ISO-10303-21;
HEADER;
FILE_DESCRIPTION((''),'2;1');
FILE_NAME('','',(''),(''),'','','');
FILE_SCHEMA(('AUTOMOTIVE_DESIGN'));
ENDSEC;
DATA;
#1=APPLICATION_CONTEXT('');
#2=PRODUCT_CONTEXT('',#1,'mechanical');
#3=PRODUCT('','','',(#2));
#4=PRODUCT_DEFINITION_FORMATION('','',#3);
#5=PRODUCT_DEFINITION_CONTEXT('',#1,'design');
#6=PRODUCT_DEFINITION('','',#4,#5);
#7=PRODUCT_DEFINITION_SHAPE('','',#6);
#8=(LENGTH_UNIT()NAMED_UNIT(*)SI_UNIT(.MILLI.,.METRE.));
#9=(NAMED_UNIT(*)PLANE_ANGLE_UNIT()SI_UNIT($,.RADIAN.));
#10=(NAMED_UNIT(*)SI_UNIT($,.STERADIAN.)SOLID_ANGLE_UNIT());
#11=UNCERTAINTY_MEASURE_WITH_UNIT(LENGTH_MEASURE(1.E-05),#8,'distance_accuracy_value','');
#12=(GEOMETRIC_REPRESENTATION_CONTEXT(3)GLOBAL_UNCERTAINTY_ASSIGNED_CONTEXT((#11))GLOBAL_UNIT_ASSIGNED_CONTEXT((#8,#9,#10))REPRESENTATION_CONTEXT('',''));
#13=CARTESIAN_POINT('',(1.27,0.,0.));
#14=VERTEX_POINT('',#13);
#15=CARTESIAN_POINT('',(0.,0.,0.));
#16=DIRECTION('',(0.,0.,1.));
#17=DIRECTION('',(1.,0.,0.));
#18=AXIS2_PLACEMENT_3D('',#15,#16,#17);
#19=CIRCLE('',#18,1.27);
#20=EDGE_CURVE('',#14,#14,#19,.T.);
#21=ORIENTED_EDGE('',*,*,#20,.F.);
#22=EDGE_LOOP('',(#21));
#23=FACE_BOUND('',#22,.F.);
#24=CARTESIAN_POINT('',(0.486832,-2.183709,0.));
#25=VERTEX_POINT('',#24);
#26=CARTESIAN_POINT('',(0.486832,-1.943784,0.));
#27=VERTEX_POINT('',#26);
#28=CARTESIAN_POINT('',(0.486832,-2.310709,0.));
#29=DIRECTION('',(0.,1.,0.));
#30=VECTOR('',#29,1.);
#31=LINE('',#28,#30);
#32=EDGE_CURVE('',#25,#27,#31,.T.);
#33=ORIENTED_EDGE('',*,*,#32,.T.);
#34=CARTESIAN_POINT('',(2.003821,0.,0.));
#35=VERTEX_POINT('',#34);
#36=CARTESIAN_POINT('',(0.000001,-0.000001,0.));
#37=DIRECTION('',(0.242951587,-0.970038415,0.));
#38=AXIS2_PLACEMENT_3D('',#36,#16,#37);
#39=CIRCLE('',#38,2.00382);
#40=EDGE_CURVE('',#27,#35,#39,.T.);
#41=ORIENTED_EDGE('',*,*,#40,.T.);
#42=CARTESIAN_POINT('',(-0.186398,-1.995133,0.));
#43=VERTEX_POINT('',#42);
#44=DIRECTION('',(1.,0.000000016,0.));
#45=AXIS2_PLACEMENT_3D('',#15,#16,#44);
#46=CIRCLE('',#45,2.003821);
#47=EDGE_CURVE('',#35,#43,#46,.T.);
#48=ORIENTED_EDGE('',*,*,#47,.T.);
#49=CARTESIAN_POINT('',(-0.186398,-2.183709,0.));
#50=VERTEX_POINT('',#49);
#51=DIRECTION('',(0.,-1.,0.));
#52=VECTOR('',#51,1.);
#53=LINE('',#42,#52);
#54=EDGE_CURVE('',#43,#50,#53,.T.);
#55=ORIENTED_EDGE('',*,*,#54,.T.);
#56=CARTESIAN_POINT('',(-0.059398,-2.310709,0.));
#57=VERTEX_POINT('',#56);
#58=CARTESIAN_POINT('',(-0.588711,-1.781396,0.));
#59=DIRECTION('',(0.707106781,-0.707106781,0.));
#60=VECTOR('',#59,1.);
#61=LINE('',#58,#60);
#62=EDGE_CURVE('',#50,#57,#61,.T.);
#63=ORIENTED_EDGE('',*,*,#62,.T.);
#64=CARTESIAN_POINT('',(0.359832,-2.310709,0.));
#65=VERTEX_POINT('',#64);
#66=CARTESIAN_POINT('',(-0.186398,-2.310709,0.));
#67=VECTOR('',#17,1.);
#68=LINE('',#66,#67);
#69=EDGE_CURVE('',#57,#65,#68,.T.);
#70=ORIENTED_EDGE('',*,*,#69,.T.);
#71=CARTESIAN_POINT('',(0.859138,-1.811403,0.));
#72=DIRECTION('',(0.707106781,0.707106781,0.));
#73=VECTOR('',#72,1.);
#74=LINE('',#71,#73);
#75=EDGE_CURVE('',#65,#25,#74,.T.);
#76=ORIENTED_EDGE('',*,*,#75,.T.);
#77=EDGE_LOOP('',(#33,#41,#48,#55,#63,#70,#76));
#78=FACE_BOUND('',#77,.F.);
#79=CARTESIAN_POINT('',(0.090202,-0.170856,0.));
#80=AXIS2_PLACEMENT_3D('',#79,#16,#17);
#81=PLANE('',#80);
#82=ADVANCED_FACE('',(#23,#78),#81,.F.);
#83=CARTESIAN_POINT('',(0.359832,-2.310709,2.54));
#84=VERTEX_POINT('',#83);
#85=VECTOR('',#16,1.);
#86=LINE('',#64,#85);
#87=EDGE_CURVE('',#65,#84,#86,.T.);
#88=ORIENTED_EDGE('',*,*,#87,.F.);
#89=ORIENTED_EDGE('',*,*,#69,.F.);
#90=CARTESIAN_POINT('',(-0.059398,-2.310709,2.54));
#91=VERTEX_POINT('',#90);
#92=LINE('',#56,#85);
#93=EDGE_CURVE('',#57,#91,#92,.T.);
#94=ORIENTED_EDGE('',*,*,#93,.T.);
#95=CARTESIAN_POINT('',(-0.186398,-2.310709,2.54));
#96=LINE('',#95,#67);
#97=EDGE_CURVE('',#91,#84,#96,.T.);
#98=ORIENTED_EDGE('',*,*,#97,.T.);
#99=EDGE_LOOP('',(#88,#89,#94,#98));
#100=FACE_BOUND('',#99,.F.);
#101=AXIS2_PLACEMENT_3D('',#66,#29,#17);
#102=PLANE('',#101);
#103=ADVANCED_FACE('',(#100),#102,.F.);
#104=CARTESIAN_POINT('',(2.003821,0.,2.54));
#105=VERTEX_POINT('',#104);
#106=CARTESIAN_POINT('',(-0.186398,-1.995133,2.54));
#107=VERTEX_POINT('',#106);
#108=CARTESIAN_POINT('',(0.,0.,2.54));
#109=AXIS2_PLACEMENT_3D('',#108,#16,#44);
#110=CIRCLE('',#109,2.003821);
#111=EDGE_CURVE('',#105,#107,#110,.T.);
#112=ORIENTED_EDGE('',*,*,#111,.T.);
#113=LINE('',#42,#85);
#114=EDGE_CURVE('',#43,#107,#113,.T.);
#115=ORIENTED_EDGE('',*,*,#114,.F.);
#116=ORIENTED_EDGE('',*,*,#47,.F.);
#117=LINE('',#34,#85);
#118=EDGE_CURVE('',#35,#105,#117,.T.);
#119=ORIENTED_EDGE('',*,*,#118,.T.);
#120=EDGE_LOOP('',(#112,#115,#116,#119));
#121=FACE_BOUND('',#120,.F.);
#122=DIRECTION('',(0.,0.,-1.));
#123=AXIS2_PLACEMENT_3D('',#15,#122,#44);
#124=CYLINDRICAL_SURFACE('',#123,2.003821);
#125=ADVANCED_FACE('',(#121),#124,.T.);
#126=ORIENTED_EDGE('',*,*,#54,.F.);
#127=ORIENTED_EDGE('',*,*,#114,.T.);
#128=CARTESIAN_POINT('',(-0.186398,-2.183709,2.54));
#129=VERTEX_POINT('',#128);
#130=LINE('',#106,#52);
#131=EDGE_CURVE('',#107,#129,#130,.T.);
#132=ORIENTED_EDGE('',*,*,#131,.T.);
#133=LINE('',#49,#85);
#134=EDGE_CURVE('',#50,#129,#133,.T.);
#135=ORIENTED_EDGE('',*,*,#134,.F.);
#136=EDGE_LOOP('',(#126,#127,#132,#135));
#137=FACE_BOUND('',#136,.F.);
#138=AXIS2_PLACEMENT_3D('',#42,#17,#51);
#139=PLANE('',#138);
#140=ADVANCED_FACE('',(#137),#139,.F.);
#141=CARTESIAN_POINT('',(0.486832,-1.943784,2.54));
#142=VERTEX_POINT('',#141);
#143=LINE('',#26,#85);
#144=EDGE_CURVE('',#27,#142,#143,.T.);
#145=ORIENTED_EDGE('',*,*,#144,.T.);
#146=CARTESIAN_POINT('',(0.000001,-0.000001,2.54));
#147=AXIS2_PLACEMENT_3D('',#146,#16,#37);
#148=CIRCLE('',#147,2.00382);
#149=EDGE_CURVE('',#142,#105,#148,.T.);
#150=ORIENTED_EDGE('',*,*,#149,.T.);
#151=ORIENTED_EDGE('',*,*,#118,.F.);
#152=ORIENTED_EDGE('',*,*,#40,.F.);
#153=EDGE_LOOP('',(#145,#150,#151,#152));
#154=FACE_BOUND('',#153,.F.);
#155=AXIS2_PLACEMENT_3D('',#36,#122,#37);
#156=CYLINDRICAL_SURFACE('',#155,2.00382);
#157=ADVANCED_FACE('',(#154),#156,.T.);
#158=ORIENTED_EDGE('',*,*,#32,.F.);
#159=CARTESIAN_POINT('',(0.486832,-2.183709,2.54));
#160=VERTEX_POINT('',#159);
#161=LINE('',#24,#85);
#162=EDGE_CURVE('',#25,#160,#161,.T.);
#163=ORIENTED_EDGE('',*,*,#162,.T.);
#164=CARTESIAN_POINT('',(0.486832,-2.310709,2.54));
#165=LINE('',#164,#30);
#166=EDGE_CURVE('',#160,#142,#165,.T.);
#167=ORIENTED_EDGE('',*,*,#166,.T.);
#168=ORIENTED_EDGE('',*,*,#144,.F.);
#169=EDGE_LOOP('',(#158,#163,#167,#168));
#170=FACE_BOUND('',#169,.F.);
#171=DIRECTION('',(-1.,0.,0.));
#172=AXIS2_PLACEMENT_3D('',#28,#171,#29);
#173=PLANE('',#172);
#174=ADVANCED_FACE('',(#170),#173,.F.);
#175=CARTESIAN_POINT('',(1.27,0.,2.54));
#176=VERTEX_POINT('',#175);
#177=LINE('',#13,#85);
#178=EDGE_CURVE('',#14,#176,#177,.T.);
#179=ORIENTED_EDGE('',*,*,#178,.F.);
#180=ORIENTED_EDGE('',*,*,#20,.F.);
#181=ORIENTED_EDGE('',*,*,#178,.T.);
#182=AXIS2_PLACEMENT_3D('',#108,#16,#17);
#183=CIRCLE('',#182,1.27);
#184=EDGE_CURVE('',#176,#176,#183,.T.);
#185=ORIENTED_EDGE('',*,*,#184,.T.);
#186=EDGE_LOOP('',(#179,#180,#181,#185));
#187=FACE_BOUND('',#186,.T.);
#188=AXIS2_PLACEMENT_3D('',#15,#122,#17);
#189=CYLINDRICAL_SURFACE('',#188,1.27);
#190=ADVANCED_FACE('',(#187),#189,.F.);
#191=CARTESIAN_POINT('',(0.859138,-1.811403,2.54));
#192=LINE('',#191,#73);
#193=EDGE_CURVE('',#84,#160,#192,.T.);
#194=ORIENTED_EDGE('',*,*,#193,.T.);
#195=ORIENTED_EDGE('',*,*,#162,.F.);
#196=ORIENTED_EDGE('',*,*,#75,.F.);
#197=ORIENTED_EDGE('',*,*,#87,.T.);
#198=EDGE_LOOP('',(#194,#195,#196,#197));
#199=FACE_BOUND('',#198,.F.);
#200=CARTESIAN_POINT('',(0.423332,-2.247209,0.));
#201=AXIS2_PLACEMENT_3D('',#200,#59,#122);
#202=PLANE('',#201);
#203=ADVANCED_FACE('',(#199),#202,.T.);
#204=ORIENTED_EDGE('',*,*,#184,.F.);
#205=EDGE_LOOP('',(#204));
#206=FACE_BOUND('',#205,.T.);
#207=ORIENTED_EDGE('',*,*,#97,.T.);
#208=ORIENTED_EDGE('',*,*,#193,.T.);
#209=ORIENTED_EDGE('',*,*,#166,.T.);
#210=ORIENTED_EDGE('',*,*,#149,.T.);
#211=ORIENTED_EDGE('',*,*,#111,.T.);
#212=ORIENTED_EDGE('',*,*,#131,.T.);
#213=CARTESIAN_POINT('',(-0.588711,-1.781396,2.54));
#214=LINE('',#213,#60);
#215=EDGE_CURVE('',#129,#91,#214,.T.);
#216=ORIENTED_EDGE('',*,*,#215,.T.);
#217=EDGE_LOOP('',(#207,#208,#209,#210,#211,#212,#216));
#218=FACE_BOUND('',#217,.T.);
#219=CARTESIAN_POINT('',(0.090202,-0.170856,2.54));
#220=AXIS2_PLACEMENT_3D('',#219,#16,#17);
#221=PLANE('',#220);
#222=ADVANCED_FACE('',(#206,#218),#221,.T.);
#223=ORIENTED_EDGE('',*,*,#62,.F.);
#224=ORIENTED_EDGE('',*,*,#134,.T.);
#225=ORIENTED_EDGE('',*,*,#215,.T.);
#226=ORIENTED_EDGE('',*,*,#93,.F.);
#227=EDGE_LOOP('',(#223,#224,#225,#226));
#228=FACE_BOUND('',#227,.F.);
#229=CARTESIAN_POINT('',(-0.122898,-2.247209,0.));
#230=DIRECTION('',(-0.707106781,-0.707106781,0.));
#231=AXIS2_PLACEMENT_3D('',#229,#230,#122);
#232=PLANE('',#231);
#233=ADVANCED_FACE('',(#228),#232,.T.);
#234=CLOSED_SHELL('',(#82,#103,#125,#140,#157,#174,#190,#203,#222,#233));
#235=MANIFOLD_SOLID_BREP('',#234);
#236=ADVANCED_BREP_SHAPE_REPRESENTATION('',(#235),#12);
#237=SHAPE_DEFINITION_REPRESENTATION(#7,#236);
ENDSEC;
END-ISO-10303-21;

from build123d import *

# Parameters (mm, degrees)
F0_R     = 1.27
F1_DEPTH = 2.54
F2_SIZE  = 0.127


with BuildPart() as f1:
    # F0 (on Top) → F1 (new body)
    with BuildSketch(Plane.XY):
        with BuildLine():
            ThreePointArc((0.486832, -1.943784), (1.579688, -1.232837), (2.003821, 0))
            ThreePointArc((2.003821, 0), (-1.349406, 1.481352), (-0.186398, -1.995133))
            Line((-0.186398, -1.995133), (-0.186398, -1.640521))
            Line((-0.186398, -1.640521), (0.486832, -1.640521))
            Line((0.486832, -1.640521), (0.486832, -1.943784))
        make_face()
        Circle(F0_R, mode=Mode.SUBTRACT)
        with BuildLine():
            Line((-0.186398, -1.640521), (-0.186398, -1.995133))
            ThreePointArc((-0.186398, -1.995133), (0.152396, -1.998018), (0.486832, -1.943784))
            Line((0.486832, -1.943784), (0.486832, -1.640521))
            Line((0.486832, -1.640521), (-0.186398, -1.640521))
        make_face()
        with BuildLine():
            ThreePointArc((0.486832, -1.943784), (0.152396, -1.998018), (-0.186398, -1.995133))
            Line((-0.186398, -1.995133), (-0.186398, -2.310709))
            Line((-0.186398, -2.310709), (0.486832, -2.310709))
            Line((0.486832, -2.310709), (0.486832, -1.943784))
        make_face()
    extrude(amount=F1_DEPTH)

    # F2
    f2_edges = [f1.edges().sort_by_distance(p)[0] for p in [
        (-0.186398, -2.310709, 1.27),
        (0.486832, -2.310709, 1.27),
    ]]
    chamfer(f2_edges, length=F2_SIZE)


solid = f1.part
